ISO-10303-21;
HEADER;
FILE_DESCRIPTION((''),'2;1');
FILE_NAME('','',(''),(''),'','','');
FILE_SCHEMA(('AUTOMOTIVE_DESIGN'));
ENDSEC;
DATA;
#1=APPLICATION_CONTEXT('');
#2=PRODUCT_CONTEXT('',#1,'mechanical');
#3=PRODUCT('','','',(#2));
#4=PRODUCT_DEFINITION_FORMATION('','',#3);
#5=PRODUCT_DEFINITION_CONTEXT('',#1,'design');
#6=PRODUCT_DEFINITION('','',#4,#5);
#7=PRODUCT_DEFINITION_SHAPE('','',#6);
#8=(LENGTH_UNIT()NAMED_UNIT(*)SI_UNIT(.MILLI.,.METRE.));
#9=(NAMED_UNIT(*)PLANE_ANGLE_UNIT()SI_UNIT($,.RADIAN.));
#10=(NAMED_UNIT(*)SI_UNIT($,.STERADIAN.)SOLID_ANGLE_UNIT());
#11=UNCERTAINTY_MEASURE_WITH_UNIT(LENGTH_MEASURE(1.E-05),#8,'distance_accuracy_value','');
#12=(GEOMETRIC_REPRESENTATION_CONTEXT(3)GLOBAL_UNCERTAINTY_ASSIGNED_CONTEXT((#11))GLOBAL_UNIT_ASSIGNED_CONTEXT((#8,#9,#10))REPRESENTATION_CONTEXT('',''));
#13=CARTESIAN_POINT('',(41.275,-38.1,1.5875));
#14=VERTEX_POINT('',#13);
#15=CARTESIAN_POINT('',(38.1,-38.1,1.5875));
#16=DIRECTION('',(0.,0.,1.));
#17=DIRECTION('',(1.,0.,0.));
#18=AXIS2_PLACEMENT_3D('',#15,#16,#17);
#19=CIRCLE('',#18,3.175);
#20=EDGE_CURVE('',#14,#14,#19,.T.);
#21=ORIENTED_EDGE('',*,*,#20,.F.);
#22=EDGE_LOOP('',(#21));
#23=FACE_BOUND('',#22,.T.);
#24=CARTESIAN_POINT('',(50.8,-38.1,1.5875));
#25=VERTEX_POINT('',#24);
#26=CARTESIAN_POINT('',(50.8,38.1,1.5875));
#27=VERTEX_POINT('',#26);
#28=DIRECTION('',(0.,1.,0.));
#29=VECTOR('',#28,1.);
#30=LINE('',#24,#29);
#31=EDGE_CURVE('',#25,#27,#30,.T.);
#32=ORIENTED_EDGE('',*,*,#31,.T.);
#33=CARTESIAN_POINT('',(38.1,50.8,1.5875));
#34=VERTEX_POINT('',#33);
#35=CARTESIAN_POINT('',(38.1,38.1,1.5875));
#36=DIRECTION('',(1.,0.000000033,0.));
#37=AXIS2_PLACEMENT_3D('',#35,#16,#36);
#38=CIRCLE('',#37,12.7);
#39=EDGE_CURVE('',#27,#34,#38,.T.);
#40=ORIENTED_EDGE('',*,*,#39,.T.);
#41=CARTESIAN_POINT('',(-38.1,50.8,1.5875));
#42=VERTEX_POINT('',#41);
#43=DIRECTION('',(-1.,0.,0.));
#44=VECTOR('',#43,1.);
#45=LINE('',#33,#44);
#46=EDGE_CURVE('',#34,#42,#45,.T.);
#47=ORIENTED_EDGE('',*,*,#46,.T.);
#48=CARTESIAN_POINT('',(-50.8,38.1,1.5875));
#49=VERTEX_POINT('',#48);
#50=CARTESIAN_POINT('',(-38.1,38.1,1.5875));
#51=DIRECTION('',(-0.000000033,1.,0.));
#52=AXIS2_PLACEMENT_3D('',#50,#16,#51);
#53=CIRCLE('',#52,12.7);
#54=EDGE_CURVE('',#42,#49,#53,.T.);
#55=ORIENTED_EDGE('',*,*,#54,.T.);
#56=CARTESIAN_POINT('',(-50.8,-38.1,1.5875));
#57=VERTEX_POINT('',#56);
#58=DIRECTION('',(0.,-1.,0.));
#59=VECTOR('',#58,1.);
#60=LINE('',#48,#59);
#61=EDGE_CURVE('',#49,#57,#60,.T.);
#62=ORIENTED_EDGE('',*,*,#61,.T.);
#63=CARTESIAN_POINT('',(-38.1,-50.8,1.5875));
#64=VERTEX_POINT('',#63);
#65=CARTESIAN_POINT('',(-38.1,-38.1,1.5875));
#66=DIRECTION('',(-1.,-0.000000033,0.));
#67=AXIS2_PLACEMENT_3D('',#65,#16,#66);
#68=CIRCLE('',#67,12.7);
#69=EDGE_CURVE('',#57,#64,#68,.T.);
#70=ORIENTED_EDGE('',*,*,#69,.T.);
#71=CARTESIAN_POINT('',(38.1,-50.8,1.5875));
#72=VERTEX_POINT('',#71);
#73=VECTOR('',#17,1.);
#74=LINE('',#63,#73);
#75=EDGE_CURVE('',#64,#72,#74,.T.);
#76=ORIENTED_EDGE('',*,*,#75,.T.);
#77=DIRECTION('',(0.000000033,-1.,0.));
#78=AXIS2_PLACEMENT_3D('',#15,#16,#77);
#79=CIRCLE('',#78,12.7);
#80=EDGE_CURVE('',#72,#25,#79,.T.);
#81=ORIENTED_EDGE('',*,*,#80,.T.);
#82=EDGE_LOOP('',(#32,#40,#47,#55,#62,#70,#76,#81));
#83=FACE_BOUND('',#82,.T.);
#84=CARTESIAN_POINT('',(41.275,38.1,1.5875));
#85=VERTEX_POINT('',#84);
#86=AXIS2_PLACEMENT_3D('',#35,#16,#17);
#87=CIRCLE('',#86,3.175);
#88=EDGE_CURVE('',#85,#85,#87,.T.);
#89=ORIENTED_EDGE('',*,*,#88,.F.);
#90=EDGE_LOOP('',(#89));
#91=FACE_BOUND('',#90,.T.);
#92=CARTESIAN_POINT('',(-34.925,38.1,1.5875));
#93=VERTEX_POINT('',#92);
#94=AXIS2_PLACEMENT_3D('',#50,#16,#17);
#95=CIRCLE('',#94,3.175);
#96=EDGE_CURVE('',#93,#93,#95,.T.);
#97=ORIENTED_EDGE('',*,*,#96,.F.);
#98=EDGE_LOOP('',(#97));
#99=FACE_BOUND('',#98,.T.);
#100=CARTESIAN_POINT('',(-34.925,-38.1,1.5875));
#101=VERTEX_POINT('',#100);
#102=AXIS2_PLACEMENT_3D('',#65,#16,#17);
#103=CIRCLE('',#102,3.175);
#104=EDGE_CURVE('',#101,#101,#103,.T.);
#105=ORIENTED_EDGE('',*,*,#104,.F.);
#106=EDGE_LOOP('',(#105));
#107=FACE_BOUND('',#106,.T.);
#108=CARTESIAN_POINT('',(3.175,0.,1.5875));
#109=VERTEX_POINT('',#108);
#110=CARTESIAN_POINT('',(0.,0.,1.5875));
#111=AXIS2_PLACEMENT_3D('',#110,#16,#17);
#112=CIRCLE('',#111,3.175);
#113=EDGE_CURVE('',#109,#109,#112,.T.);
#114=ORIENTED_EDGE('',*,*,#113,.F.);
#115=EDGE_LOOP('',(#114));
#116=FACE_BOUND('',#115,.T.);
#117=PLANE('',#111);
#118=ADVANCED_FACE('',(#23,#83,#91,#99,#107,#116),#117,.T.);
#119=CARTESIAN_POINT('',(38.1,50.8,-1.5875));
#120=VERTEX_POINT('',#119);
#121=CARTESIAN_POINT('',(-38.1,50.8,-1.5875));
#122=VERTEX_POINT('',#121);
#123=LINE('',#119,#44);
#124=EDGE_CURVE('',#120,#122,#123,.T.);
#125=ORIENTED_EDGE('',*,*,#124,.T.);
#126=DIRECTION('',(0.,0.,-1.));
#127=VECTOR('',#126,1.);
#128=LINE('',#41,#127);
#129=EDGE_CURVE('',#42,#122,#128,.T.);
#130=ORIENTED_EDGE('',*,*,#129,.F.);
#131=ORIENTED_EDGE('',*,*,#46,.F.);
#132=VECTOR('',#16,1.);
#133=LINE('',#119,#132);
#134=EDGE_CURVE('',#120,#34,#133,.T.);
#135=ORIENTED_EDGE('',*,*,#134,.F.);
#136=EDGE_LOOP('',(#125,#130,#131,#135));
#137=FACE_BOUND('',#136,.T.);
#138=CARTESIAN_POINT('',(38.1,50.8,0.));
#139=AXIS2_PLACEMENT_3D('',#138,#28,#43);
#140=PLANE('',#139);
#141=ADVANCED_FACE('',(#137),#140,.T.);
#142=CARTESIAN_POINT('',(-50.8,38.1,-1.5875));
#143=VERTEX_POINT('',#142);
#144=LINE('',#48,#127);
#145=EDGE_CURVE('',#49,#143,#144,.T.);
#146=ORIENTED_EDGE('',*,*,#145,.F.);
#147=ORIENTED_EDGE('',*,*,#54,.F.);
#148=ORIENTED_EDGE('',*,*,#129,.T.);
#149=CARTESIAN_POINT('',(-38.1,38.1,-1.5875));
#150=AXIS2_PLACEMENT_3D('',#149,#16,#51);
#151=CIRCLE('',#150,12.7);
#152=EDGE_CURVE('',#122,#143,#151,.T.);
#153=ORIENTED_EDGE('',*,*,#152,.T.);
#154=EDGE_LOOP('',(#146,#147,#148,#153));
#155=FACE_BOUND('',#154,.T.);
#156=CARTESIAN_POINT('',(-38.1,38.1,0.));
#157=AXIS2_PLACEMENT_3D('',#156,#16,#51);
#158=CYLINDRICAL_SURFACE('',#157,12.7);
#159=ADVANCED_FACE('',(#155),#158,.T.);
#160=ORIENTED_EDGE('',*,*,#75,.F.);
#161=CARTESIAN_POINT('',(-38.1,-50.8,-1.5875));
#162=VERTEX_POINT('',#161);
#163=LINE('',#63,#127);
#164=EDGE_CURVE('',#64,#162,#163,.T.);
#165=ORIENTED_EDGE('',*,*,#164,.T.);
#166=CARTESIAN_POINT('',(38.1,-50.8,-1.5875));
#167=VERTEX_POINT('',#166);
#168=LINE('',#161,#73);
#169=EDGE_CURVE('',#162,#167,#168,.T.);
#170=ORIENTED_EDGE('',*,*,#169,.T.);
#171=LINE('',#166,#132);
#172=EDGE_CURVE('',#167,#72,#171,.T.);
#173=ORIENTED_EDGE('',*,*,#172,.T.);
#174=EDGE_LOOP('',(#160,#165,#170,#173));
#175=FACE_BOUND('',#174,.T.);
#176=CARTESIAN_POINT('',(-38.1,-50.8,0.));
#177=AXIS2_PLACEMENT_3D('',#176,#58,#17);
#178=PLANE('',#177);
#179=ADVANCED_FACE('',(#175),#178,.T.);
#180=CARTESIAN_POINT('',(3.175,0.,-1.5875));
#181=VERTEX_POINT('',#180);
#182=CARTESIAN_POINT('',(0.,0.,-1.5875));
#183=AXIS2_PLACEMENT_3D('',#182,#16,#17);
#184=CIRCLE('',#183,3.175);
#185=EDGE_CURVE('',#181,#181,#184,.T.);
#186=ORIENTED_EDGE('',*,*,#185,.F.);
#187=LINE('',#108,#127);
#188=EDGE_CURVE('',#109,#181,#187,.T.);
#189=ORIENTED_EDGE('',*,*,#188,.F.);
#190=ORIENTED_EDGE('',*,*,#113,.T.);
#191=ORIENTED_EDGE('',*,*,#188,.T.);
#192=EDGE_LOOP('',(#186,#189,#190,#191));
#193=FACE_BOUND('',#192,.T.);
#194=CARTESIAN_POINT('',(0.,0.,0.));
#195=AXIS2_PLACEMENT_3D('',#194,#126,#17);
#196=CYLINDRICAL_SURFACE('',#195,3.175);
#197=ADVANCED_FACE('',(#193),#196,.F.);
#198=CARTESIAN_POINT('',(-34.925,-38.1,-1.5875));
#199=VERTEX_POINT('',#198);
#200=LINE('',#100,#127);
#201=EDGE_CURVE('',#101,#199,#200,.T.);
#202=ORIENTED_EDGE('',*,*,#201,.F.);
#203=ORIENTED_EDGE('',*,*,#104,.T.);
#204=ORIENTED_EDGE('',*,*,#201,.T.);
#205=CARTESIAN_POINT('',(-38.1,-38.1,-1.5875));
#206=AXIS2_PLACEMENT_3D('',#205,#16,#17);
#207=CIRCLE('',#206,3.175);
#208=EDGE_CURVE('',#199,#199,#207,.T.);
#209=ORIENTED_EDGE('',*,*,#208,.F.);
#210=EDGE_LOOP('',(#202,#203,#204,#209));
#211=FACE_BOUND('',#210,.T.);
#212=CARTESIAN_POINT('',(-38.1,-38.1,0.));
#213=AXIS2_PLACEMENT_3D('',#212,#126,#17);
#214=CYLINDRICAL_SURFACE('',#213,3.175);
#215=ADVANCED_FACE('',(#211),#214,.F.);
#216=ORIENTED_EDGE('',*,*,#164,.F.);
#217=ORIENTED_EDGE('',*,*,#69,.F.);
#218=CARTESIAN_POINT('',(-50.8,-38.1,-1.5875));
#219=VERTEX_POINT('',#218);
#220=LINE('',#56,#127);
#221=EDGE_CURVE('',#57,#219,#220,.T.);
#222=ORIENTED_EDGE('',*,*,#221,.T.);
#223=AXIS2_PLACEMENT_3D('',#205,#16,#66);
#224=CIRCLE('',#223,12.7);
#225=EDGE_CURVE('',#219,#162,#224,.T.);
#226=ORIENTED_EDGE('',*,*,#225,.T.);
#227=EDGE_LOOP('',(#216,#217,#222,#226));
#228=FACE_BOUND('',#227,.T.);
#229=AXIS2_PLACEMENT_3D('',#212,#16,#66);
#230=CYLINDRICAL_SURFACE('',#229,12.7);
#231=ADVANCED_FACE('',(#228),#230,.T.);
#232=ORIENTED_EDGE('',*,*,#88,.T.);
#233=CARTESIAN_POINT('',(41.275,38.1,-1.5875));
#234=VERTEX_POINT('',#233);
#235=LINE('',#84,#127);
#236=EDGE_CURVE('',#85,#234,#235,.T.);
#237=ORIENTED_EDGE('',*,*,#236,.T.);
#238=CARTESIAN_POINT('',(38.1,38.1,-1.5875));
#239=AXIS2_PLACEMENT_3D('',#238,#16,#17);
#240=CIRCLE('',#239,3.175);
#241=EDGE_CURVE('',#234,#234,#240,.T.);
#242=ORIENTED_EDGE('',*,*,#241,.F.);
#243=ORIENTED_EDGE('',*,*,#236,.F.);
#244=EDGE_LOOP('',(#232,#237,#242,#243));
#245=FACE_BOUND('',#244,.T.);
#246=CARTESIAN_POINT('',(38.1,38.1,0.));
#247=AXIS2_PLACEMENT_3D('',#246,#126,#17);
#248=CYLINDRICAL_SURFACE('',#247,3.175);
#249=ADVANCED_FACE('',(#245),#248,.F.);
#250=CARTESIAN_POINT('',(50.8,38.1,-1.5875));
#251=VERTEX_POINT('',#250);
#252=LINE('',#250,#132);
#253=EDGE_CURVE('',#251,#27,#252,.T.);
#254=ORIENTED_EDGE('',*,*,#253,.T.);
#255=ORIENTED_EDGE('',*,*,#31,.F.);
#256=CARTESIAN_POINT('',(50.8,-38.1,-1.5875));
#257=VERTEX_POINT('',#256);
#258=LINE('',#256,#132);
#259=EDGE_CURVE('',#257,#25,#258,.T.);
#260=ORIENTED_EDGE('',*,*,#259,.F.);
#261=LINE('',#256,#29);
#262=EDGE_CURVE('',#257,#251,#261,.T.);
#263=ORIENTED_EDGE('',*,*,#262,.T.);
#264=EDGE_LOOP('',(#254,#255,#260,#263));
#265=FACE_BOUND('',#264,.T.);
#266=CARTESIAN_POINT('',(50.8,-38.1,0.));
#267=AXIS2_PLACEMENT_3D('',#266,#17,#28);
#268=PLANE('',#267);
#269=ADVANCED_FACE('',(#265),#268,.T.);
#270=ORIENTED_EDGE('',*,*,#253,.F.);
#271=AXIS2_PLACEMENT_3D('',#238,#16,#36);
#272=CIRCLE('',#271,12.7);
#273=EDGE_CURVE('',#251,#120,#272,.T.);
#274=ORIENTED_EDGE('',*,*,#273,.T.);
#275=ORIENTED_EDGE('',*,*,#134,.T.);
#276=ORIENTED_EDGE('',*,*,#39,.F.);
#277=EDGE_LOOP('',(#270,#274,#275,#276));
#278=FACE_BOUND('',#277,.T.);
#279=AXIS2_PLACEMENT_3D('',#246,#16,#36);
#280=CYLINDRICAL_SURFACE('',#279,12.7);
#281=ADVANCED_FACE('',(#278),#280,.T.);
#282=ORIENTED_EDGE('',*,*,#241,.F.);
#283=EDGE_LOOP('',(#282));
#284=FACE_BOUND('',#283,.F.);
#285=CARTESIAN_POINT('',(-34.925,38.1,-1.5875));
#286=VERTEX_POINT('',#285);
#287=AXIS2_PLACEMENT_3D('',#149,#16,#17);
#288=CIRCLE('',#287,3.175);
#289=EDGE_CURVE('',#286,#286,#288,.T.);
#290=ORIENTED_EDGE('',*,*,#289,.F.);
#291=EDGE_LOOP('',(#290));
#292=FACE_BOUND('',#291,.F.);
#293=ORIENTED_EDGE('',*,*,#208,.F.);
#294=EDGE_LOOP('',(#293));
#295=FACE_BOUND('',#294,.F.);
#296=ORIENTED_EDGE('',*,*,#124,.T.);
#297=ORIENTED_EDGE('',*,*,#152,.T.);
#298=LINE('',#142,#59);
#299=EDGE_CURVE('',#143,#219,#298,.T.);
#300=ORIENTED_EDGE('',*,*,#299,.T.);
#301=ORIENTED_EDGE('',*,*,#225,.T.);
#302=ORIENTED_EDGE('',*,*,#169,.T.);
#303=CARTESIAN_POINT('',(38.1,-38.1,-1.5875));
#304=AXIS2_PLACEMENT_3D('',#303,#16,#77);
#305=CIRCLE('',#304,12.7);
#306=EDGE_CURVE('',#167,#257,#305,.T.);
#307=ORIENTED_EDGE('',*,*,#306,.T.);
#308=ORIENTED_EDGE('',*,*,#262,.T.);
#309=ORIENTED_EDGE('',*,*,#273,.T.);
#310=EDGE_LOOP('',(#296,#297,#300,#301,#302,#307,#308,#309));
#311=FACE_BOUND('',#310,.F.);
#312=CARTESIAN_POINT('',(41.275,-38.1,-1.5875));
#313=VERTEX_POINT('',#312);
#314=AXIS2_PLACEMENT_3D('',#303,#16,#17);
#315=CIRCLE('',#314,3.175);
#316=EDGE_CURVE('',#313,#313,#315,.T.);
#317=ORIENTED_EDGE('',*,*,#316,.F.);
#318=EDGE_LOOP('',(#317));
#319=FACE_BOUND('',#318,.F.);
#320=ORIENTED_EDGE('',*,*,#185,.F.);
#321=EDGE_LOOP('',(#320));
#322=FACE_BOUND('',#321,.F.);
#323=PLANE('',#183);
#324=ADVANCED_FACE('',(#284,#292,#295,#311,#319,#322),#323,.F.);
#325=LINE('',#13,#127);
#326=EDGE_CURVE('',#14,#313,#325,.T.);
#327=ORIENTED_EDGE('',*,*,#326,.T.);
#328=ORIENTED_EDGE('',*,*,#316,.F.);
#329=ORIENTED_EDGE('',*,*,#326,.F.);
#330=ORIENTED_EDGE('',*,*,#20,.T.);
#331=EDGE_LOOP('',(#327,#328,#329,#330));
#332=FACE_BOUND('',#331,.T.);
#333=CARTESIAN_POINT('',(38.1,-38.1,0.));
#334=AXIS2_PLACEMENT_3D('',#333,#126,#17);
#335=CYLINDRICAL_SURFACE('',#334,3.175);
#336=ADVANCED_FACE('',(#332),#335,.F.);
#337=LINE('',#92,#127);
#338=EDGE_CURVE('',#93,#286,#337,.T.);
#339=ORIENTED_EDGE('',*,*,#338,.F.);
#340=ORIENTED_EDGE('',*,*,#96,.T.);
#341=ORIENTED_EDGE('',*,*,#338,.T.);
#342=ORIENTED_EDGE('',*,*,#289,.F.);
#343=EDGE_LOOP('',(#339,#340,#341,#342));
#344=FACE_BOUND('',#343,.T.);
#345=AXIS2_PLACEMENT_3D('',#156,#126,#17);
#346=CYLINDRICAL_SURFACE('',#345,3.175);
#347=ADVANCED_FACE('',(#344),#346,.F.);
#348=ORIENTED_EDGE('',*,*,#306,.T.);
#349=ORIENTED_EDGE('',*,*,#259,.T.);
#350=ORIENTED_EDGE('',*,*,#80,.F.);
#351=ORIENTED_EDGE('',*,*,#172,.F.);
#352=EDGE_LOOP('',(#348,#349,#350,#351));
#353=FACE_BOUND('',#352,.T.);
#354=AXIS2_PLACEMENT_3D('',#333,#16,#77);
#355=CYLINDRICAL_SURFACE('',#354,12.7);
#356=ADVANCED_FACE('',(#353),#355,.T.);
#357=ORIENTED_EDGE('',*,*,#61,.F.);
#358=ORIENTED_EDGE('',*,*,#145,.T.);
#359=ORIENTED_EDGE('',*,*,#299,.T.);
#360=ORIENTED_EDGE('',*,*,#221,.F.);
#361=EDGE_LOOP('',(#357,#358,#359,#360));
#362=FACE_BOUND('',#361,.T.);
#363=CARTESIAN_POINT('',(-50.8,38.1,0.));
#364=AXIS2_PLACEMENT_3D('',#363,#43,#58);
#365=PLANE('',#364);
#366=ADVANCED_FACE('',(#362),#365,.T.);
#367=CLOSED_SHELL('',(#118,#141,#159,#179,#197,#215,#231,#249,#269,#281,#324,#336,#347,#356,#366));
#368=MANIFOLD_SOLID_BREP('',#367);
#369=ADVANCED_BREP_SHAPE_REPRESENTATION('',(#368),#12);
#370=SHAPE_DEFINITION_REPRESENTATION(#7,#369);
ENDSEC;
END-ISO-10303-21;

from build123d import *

# Parameters (mm, degrees)
F0_R     = 3.175
F1_DEPTH = 1.5875


with BuildPart() as f1:
    # F0 (on Top) → F1 (new body, symmetric)
    with BuildSketch(Plane.XY):
        with BuildLine():
            Line((-38.1, -50.8), (38.1, -50.8))
            ThreePointArc((38.1, -50.8), (47.080256, -47.080256), (50.8, -38.1))
            Line((50.8, -38.1), (50.8, 38.1))
            ThreePointArc((50.8, 38.1), (47.080256, 47.080256), (38.1, 50.8))
            Line((38.1, 50.8), (-38.1, 50.8))
            ThreePointArc((-38.1, 50.8), (-47.080256, 47.080256), (-50.8, 38.1))
            Line((-50.8, 38.1), (-50.8, -38.1))
            ThreePointArc((-50.8, -38.1), (-47.080256, -47.080256), (-38.1, -50.8))
        make_face()
        with Locations((-38.1, -38.1)):
            Circle(F0_R, mode=Mode.SUBTRACT)
        Circle(F0_R, mode=Mode.SUBTRACT)
        with Locations((38.1, -38.1)):
            Circle(F0_R, mode=Mode.SUBTRACT)
        with Locations((-38.1, 38.1)):
            Circle(F0_R, mode=Mode.SUBTRACT)
        with Locations((38.1, 38.1)):
            Circle(F0_R, mode=Mode.SUBTRACT)
    extrude(amount=F1_DEPTH, both=True)


solid = f1.part
